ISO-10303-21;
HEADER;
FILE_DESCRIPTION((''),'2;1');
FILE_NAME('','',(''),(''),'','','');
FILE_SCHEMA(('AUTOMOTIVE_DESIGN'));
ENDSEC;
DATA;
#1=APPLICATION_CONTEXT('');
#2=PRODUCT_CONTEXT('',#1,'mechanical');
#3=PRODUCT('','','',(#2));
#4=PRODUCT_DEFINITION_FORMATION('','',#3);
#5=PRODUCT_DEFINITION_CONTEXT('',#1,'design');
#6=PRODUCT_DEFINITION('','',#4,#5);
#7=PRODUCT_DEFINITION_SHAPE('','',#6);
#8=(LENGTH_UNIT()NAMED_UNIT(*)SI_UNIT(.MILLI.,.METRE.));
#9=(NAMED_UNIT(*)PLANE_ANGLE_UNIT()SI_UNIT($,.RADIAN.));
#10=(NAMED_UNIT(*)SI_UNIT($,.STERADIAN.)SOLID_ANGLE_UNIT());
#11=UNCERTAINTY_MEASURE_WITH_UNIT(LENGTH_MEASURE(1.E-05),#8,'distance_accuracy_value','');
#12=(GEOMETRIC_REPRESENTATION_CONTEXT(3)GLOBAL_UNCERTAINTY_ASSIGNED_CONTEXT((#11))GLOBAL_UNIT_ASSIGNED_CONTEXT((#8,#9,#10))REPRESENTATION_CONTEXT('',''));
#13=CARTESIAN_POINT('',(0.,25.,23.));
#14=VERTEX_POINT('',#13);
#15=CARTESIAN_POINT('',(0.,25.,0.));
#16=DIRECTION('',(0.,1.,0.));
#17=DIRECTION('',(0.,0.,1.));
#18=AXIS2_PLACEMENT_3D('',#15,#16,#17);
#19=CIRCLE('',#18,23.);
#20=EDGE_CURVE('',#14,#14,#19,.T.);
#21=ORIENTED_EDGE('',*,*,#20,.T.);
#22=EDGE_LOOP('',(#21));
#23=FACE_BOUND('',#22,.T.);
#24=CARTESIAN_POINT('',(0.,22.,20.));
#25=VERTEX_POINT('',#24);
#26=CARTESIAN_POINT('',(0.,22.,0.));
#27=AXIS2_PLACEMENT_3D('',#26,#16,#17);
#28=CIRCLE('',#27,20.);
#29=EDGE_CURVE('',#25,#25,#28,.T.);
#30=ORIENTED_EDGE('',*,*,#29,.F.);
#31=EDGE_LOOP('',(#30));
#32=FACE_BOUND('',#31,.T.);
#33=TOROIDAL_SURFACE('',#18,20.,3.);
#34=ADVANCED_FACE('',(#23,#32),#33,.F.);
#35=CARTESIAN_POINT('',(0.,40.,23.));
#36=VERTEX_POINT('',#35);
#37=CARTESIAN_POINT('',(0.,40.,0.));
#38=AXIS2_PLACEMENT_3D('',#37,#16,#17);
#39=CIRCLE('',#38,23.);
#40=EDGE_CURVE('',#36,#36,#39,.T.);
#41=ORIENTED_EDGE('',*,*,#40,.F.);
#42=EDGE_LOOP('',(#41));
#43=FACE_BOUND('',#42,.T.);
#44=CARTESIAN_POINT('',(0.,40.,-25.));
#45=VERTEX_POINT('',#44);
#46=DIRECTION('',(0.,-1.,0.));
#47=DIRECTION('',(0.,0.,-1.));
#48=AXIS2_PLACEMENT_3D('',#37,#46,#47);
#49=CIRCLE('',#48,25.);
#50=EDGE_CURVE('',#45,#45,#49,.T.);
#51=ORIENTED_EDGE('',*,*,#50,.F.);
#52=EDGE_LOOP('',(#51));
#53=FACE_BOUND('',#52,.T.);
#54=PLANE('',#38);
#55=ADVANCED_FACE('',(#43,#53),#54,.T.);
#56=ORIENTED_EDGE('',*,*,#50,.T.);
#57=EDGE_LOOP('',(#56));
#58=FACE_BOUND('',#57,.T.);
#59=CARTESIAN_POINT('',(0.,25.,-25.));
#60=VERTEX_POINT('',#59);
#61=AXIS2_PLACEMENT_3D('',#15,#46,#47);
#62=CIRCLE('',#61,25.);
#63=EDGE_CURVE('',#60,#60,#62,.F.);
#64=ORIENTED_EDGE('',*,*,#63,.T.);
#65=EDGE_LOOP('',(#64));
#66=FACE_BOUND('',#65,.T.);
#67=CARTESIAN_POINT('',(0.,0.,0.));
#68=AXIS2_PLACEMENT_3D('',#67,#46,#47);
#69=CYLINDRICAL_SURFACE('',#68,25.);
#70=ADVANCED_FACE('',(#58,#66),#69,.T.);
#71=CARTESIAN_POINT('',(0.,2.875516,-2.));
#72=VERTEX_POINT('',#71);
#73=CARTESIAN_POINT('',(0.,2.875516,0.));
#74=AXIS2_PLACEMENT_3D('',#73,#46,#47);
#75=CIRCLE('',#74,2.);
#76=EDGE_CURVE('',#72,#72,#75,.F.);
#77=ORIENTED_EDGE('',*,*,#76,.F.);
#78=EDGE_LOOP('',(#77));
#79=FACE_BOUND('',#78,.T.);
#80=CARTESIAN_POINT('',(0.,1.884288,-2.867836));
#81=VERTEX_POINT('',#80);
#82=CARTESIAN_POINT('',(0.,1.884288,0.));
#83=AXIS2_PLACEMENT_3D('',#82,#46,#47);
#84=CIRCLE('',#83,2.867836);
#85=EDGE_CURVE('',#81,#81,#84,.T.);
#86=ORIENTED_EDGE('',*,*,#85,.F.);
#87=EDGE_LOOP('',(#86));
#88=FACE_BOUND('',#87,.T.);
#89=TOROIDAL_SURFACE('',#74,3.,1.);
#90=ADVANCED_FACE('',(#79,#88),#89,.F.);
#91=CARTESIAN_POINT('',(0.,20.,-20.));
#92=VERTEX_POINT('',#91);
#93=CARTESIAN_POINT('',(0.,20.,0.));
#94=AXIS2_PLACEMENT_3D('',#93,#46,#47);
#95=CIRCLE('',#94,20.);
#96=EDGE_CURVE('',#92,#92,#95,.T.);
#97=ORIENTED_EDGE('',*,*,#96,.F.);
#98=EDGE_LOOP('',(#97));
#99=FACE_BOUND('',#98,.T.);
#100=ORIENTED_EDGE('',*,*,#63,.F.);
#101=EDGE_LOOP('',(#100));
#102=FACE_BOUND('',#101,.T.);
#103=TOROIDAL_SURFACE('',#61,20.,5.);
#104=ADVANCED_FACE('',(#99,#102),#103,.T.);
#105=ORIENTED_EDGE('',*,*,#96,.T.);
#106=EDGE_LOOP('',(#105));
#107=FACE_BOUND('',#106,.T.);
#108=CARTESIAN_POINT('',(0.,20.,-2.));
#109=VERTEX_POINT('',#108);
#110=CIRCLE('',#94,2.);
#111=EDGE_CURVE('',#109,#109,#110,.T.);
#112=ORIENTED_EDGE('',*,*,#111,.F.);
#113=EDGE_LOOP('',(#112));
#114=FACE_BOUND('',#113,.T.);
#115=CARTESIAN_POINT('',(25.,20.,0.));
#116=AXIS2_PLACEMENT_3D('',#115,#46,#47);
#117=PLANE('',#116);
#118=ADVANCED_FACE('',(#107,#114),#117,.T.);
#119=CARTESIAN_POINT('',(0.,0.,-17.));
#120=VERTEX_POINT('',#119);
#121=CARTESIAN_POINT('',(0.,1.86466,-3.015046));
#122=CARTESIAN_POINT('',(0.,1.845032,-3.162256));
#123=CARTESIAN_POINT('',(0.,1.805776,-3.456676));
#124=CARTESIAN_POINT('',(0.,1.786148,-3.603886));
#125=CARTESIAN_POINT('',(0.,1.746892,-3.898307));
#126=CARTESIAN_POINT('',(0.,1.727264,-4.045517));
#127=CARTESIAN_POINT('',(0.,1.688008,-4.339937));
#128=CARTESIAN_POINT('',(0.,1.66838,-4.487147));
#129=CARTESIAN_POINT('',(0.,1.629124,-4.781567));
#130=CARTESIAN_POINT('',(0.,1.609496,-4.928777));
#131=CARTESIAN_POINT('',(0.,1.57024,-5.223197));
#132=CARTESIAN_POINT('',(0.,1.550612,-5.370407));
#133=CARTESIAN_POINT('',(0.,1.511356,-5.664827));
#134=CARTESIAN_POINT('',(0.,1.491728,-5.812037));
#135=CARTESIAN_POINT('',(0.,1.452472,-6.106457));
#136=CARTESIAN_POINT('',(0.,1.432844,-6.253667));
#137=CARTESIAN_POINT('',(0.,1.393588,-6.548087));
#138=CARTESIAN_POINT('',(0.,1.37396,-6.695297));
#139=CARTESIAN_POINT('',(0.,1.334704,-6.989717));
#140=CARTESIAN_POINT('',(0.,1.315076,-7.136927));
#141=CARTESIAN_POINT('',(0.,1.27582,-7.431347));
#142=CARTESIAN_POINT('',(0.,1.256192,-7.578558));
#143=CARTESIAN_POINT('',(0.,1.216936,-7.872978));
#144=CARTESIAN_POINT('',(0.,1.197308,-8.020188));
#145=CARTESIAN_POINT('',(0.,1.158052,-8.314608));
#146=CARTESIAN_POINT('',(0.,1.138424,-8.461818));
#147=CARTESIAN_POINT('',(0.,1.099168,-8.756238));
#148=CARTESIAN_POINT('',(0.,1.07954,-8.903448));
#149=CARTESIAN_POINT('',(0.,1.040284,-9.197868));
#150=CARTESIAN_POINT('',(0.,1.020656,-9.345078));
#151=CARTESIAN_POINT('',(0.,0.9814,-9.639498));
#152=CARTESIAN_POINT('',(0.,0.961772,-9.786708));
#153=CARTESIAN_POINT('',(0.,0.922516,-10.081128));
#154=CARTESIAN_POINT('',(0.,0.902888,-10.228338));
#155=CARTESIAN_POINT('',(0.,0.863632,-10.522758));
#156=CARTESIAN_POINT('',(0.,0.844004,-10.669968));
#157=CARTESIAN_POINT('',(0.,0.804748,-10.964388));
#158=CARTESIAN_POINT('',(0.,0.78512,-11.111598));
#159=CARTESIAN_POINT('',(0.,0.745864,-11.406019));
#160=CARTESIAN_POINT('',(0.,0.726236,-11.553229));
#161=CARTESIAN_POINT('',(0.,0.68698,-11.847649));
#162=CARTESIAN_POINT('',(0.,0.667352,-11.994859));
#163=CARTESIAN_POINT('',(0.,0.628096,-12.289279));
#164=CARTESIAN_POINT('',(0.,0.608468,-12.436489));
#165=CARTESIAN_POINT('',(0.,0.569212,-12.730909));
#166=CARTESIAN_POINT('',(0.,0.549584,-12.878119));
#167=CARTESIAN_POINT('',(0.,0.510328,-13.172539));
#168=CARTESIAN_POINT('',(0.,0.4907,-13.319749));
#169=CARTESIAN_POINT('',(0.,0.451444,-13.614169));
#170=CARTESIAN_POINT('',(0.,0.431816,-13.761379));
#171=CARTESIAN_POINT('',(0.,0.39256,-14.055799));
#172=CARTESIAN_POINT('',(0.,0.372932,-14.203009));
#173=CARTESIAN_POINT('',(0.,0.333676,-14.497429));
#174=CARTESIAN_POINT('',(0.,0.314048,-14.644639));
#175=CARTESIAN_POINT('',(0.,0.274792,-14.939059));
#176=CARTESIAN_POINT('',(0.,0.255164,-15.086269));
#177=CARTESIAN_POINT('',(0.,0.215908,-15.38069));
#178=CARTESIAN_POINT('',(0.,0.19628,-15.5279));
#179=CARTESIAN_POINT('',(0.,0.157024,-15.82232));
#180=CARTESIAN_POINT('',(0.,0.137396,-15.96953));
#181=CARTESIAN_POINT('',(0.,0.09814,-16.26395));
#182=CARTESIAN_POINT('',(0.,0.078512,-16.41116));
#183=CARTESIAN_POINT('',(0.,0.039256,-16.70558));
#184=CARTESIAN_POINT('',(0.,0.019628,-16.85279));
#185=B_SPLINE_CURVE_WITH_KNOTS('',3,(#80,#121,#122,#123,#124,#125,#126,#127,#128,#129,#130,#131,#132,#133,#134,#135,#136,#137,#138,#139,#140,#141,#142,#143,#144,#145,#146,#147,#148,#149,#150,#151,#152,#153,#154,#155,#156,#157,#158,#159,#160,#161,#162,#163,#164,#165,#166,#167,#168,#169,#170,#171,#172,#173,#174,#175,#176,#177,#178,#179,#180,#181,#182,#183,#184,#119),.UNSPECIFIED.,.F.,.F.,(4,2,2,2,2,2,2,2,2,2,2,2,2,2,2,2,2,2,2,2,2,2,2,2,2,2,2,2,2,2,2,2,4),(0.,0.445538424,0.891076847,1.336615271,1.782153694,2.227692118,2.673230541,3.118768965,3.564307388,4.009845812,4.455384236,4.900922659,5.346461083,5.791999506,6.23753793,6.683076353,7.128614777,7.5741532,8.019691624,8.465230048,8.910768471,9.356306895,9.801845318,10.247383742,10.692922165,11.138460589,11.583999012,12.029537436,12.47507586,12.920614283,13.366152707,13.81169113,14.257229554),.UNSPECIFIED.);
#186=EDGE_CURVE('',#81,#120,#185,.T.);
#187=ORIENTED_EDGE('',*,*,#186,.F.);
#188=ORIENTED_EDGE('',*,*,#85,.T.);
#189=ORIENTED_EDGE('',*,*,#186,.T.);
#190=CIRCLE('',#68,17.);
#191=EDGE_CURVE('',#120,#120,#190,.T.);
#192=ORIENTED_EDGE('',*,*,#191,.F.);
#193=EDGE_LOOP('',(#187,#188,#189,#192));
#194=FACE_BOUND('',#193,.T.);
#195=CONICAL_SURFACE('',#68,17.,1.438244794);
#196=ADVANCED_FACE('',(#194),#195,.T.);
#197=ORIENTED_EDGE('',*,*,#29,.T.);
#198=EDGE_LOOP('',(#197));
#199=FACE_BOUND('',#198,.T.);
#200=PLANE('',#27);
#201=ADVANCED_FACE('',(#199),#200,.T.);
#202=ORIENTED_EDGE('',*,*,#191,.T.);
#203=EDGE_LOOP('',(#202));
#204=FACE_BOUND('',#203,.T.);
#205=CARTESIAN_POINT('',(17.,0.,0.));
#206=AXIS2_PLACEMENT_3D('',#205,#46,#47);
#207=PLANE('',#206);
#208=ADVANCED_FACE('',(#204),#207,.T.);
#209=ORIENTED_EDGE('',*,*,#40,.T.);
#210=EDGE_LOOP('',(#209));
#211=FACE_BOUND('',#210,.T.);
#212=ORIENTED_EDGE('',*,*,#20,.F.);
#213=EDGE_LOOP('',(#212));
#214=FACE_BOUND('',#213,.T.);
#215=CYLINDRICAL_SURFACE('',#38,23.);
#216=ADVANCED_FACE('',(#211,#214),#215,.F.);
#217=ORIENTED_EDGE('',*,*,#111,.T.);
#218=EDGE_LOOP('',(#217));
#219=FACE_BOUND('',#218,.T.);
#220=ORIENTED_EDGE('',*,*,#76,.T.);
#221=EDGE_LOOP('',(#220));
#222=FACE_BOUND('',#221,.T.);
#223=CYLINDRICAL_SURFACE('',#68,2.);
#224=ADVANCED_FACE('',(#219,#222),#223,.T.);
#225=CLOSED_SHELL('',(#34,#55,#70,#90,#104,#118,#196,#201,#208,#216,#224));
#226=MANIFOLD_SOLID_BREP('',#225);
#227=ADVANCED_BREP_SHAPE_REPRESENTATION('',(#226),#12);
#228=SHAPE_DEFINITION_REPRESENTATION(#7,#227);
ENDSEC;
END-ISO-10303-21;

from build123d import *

# Parameters (mm, degrees)
FILLET_1_R = 5
FILLET_2_R = 1


with BuildPart() as part:
    # 草圖1 → 旋轉1 (revolve)
    with BuildSketch(Plane.XY, mode=Mode.PRIVATE) as revolve_1_sk:
        Polygon((0, 0), (0, 40), (25, 40), (25, 20), (2, 20), (2, 2), (17, 0), align=None)
    revolve(revolve_1_sk.sketch.rotate(Axis((0, 0, 0), (0, 1, 0)), 90), axis=Axis((0, 0, 0), (0, 1, 0)))

    # 圓角1
    fillet_1_edges = [part.edges().sort_by_distance(p)[0] for p in [
        (0, 20, 25),
    ]]
    fillet(fillet_1_edges, radius=FILLET_1_R)

    # 圓角2
    fillet_2_edges = [part.edges().sort_by_distance(p)[0] for p in [
        (0, 2, 2),
    ]]
    fillet(fillet_2_edges, radius=FILLET_2_R)

    # 草圖2 → 除料-旋轉1 (revolve, cut)
    with BuildSketch(Plane.XY, mode=Mode.PRIVATE) as cut_revolve_1_sk:
        with BuildLine():
            Line((23, 40), (0, 40))
            Line((0, 40), (0, 22))
            Line((0, 22), (20, 22))
            ThreePointArc((20, 22), (22.121320344, 22.878679656), (23, 25))
            Line((23, 25), (23, 40))
        make_face()
    revolve(cut_revolve_1_sk.sketch.rotate(Axis((0, 40, 0), (0, -1, 0)), 90), axis=Axis((0, 40, 0), (0, -1, 0)), mode=Mode.SUBTRACT)


solid = part.part
